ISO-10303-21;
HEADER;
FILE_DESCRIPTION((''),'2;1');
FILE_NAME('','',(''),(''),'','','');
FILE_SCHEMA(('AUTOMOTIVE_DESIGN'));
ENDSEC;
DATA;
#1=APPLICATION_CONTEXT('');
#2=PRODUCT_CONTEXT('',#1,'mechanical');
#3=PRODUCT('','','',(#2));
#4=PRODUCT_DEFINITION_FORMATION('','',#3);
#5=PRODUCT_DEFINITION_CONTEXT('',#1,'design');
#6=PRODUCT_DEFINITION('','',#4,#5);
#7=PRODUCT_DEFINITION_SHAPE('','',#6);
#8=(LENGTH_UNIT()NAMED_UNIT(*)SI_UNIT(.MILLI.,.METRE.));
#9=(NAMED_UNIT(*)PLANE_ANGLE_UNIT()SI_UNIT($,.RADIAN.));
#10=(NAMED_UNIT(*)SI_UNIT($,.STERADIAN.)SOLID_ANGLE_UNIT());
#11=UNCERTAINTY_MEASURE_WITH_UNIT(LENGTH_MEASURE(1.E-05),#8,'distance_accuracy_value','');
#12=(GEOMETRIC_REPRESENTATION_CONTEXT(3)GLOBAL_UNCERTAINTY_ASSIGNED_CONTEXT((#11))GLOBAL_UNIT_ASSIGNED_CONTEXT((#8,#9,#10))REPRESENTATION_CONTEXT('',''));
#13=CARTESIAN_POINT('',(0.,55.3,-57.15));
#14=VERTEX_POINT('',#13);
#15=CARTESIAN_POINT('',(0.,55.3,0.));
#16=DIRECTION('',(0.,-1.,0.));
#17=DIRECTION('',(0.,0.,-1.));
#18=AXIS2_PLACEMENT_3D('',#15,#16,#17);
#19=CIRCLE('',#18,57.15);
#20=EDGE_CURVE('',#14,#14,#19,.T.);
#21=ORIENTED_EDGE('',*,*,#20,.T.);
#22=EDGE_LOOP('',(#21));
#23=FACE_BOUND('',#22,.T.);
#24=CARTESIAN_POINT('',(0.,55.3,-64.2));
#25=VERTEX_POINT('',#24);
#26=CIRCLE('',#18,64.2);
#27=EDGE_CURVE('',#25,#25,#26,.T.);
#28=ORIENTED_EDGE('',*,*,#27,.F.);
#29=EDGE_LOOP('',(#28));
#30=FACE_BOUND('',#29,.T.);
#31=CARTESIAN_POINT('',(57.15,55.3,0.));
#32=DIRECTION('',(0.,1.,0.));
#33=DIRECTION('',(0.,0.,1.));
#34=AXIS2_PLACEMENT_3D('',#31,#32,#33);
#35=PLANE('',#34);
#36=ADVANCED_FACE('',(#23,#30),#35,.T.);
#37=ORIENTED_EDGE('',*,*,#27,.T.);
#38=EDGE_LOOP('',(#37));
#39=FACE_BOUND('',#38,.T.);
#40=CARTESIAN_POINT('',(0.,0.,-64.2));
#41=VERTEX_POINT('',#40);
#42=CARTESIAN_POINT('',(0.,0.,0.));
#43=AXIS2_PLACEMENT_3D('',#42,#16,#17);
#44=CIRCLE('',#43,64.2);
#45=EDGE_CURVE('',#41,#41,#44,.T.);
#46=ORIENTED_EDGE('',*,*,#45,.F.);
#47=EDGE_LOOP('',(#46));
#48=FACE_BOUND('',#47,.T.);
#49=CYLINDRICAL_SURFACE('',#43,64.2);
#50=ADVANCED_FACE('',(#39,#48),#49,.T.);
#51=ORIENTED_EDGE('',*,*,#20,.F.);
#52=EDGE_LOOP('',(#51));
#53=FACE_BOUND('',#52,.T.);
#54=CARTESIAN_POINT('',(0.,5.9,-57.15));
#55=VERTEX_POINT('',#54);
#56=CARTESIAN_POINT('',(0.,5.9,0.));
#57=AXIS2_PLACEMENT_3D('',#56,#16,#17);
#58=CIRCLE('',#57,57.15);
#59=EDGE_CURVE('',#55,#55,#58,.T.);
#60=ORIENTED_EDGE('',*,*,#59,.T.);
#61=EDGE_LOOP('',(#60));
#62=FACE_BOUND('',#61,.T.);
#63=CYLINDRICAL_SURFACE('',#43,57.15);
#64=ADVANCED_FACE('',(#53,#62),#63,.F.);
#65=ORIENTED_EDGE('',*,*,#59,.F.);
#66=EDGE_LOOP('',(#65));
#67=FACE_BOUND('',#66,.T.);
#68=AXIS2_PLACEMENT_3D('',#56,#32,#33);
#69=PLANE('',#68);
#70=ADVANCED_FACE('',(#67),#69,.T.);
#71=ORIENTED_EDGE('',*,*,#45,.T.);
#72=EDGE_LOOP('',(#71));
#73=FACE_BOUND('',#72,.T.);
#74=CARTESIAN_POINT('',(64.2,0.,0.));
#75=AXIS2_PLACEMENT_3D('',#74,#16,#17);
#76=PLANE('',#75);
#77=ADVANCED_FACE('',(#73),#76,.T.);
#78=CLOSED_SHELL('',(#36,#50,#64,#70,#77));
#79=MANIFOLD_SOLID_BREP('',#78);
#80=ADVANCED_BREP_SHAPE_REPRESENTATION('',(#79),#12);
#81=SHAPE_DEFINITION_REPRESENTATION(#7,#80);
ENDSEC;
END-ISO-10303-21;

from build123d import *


with BuildPart() as part:
    # Sketch1 → Revolve1 (revolve)
    with BuildSketch(Plane.XY, mode=Mode.PRIVATE) as revolve1_sk:
        Polygon((0, 0), (0, 5.9), (57.15, 5.9), (57.15, 55.3), (64.2, 55.3), (64.2, 0), align=None)
    revolve(revolve1_sk.sketch.rotate(Axis((0, 0, 0), (0, 1, 0)), 90), axis=Axis((0, 0, 0), (0, 1, 0)))


solid = part.part
